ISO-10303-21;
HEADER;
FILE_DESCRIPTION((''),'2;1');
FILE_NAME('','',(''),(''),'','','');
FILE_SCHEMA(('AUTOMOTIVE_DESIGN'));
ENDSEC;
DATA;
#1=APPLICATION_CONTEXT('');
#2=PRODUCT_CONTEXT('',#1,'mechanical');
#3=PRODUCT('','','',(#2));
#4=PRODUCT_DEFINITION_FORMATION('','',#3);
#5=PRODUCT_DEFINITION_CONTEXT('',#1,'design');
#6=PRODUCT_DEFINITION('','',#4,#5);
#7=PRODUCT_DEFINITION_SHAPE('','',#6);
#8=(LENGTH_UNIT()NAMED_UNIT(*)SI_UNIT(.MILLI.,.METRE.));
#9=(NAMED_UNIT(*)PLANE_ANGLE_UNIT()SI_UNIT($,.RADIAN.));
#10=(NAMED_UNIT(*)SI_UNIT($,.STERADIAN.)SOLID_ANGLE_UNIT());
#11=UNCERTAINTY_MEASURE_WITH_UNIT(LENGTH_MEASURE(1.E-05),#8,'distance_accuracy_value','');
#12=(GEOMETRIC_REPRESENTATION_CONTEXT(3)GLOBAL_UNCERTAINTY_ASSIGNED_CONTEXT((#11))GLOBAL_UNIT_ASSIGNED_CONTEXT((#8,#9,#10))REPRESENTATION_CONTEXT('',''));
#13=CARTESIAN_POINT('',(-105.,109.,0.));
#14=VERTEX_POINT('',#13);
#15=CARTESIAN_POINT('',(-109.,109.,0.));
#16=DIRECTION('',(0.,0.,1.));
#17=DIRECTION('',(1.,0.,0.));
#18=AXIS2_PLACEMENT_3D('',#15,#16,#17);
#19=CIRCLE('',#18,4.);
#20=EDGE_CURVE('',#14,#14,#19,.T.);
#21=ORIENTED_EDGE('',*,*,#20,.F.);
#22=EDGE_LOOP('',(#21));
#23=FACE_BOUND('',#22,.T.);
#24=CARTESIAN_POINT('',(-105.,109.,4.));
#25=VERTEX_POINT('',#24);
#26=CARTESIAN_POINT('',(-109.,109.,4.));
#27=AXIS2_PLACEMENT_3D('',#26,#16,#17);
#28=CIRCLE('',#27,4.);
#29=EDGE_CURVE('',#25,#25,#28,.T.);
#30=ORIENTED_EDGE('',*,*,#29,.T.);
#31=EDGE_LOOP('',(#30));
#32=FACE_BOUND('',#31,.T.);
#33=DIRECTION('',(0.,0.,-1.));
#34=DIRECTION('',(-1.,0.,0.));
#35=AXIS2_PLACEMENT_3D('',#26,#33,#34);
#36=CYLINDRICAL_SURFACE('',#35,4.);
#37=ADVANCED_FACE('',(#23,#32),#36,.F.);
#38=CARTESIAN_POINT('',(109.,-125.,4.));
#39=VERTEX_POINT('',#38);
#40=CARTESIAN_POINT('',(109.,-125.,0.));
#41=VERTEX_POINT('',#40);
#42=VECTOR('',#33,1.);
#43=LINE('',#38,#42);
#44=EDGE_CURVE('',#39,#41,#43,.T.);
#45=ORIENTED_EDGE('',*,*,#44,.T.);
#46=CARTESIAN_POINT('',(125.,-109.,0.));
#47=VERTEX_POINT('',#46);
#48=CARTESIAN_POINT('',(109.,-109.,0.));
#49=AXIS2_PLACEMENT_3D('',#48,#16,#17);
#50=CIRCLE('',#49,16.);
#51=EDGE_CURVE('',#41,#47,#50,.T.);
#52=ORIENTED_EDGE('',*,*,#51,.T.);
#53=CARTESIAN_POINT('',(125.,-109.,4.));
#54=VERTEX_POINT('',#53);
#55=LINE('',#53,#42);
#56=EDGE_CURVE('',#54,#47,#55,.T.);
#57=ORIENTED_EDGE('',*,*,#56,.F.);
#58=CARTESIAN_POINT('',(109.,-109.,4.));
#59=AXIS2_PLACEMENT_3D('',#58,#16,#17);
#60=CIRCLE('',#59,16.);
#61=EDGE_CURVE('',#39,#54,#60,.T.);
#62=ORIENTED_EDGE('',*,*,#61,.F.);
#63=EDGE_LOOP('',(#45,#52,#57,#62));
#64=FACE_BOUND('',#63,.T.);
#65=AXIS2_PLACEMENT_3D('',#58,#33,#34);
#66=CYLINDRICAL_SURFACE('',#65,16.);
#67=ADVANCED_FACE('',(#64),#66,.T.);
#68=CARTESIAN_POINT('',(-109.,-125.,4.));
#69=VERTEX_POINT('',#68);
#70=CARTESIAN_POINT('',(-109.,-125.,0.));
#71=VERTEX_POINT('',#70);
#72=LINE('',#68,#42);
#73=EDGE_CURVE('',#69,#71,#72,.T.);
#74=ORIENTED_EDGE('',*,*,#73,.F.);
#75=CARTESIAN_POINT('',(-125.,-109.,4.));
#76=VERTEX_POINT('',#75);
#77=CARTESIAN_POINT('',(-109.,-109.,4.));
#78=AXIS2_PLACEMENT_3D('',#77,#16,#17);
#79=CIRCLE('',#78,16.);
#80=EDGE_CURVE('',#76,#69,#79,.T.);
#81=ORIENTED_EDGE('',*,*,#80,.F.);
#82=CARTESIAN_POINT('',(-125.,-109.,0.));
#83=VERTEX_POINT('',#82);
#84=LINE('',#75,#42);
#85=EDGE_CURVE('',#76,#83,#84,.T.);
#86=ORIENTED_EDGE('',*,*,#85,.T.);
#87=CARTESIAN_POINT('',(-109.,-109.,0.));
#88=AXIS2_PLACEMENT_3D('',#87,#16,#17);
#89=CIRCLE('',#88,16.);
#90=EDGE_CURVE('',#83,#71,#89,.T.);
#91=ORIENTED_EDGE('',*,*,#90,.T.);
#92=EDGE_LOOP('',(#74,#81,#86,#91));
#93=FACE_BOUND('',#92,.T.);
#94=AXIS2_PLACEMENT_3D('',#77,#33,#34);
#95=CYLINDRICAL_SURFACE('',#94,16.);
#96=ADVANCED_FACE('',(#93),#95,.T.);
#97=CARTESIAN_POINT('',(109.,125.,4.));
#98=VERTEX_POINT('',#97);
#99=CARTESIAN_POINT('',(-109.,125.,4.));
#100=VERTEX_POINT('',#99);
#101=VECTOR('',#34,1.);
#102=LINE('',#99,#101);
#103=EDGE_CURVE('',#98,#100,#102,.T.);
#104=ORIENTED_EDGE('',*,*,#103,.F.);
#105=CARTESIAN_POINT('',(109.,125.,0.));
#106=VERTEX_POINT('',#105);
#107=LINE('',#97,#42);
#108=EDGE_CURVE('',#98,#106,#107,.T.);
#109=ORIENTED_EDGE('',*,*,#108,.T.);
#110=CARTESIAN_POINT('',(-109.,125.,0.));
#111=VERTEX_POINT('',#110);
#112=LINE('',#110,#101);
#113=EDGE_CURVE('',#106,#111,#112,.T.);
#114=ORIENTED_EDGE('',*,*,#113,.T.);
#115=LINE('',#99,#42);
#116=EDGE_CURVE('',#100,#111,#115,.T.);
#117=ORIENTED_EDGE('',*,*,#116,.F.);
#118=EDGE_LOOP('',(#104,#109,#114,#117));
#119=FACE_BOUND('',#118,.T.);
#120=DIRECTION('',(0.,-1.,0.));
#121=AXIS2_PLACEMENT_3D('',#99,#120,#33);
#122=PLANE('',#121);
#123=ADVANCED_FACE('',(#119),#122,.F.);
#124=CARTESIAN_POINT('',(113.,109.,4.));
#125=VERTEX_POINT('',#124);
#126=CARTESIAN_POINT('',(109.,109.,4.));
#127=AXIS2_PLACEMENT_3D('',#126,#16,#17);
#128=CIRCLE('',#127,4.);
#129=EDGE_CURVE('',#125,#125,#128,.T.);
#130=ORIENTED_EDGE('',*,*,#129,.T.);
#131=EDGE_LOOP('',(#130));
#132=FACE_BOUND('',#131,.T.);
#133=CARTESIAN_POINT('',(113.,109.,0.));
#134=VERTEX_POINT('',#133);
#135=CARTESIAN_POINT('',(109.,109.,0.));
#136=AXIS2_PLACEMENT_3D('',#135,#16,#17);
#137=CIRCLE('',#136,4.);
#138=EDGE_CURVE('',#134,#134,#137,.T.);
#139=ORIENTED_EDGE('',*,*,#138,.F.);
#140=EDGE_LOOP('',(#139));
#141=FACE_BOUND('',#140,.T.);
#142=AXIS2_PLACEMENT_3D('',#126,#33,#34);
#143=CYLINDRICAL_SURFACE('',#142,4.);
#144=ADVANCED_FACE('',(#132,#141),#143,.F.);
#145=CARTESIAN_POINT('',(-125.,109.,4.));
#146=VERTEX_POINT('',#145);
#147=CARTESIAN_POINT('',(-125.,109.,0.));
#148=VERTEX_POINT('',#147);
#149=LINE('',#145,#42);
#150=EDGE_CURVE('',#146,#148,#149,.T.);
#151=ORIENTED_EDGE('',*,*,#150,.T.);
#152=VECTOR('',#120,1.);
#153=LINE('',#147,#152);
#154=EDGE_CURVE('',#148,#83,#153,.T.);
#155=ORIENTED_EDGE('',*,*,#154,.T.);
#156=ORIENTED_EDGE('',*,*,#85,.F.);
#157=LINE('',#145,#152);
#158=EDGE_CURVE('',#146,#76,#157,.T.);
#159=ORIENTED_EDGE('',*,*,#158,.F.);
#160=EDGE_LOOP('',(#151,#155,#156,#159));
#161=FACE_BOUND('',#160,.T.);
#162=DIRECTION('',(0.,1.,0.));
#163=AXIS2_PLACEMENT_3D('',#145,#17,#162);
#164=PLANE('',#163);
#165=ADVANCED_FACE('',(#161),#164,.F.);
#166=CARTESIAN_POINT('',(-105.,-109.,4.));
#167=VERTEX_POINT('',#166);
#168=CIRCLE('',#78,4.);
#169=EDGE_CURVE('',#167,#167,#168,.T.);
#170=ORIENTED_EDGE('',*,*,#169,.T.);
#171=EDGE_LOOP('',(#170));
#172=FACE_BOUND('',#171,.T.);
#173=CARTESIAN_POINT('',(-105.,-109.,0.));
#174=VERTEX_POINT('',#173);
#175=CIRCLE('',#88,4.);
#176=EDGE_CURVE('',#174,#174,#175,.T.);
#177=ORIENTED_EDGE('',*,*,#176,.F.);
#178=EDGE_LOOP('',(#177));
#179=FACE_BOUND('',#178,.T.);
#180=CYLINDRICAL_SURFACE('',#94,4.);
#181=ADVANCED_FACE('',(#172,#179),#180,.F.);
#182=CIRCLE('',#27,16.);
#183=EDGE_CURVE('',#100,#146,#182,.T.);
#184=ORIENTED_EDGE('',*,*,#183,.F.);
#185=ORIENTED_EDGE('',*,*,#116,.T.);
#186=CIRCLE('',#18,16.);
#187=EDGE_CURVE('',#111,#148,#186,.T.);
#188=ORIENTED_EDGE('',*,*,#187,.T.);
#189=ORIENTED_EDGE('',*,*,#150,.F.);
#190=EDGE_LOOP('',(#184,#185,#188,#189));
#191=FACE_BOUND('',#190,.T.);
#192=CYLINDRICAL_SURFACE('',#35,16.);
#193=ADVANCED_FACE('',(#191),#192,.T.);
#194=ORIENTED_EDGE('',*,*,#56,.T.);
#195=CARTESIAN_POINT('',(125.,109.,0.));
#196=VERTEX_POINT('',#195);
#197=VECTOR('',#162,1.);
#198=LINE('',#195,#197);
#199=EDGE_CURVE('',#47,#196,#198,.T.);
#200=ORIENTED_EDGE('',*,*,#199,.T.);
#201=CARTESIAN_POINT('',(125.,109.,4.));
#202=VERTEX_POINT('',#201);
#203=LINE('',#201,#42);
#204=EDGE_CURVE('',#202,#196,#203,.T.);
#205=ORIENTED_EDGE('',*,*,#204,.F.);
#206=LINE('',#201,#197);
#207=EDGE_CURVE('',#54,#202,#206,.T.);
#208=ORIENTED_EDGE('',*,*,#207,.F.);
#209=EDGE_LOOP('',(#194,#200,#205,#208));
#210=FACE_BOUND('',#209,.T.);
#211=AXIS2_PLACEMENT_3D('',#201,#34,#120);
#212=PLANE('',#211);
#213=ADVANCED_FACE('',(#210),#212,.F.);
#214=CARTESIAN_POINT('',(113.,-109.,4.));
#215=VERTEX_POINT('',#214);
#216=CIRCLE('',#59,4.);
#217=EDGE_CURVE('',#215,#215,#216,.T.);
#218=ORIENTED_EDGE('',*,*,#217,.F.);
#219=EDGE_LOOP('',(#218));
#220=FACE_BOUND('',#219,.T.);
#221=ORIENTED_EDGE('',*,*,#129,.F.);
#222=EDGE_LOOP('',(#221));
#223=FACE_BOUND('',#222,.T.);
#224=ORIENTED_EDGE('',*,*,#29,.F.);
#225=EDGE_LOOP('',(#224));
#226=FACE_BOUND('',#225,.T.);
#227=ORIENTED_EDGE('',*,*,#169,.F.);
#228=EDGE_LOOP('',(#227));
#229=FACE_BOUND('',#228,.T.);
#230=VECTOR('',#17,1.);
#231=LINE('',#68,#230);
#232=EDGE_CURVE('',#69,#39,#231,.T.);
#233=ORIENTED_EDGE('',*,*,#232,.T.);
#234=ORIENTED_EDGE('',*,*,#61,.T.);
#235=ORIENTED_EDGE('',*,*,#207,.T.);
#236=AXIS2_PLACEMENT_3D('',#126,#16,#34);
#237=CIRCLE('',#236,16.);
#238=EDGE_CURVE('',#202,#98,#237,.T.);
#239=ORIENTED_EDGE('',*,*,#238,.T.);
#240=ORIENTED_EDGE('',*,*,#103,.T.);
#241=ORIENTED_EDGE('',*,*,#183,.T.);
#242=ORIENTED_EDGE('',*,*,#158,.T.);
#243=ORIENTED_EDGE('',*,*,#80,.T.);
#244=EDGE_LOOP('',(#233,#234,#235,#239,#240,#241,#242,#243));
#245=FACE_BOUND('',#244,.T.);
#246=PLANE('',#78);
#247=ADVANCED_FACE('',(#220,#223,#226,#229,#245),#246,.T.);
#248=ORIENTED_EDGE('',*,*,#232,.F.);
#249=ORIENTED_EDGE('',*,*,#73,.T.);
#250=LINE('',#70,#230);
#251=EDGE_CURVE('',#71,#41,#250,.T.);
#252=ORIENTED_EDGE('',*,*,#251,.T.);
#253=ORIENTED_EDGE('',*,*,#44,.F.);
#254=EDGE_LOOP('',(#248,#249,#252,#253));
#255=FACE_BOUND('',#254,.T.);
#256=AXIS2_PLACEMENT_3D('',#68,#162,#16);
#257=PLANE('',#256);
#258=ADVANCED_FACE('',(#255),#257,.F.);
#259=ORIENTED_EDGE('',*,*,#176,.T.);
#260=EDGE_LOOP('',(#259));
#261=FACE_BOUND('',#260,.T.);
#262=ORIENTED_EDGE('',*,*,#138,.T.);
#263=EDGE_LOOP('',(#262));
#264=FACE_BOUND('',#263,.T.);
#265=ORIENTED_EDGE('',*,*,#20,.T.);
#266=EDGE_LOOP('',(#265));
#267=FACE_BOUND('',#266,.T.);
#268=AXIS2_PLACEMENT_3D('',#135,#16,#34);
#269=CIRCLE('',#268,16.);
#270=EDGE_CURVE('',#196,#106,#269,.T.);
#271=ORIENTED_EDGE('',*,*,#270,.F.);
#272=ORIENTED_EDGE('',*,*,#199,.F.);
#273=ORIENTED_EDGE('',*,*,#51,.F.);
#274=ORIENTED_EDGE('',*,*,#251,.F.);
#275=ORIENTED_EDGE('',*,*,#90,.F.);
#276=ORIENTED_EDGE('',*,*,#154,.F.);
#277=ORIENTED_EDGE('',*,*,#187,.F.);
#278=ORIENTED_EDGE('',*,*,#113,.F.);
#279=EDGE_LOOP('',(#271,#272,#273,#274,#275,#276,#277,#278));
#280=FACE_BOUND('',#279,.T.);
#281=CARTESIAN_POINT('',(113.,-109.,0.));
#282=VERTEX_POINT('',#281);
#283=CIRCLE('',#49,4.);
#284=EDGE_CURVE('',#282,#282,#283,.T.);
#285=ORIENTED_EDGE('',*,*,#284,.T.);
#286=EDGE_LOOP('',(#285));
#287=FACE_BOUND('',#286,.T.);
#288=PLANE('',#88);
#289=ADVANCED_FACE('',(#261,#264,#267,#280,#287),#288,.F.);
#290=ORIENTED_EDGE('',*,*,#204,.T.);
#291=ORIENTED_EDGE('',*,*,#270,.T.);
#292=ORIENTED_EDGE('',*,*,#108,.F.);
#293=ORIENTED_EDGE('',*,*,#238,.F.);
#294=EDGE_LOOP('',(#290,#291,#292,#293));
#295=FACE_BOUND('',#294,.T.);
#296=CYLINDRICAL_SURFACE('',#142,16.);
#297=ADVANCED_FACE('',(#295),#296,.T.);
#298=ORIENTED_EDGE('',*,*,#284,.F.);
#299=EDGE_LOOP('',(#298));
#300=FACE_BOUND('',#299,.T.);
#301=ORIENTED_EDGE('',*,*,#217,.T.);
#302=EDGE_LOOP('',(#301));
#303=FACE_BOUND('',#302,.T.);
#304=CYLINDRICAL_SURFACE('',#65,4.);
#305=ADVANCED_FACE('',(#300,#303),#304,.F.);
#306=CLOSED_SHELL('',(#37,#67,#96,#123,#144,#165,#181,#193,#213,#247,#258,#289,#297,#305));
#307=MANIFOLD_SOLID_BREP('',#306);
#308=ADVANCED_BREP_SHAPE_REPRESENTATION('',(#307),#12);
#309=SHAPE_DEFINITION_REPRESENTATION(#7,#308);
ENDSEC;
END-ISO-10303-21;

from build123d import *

# Parameters (mm, degrees)
SKETCH1_R           = 4
BOSS_EXTRUDE1_DEPTH = 4


with BuildPart() as part:
    # Sketch1 → Boss-Extrude1 (new body)
    with BuildSketch(Plane.XY):
        with BuildLine():
            Line((-109, 125), (109, 125))
            ThreePointArc((109, 125), (120.313708499, 120.313708499), (125, 109))
            Line((125, 109), (125, -109))
            ThreePointArc((125, -109), (120.313708499, -120.313708499), (109, -125))
            Line((109, -125), (-109, -125))
            ThreePointArc((-109, -125), (-120.313708499, -120.313708499), (-125, -109))
            Line((-125, -109), (-125, 109))
            ThreePointArc((-125, 109), (-120.313708499, 120.313708499), (-109, 125))
        make_face()
        with Locations((-109, -109)):
            Circle(SKETCH1_R, mode=Mode.SUBTRACT)
        with Locations((-109, 109)):
            Circle(SKETCH1_R, mode=Mode.SUBTRACT)
        with Locations((109, 109)):
            Circle(SKETCH1_R, mode=Mode.SUBTRACT)
        with Locations((109, -109)):
            Circle(SKETCH1_R, mode=Mode.SUBTRACT)
    extrude(amount=BOSS_EXTRUDE1_DEPTH)


solid = part.part
